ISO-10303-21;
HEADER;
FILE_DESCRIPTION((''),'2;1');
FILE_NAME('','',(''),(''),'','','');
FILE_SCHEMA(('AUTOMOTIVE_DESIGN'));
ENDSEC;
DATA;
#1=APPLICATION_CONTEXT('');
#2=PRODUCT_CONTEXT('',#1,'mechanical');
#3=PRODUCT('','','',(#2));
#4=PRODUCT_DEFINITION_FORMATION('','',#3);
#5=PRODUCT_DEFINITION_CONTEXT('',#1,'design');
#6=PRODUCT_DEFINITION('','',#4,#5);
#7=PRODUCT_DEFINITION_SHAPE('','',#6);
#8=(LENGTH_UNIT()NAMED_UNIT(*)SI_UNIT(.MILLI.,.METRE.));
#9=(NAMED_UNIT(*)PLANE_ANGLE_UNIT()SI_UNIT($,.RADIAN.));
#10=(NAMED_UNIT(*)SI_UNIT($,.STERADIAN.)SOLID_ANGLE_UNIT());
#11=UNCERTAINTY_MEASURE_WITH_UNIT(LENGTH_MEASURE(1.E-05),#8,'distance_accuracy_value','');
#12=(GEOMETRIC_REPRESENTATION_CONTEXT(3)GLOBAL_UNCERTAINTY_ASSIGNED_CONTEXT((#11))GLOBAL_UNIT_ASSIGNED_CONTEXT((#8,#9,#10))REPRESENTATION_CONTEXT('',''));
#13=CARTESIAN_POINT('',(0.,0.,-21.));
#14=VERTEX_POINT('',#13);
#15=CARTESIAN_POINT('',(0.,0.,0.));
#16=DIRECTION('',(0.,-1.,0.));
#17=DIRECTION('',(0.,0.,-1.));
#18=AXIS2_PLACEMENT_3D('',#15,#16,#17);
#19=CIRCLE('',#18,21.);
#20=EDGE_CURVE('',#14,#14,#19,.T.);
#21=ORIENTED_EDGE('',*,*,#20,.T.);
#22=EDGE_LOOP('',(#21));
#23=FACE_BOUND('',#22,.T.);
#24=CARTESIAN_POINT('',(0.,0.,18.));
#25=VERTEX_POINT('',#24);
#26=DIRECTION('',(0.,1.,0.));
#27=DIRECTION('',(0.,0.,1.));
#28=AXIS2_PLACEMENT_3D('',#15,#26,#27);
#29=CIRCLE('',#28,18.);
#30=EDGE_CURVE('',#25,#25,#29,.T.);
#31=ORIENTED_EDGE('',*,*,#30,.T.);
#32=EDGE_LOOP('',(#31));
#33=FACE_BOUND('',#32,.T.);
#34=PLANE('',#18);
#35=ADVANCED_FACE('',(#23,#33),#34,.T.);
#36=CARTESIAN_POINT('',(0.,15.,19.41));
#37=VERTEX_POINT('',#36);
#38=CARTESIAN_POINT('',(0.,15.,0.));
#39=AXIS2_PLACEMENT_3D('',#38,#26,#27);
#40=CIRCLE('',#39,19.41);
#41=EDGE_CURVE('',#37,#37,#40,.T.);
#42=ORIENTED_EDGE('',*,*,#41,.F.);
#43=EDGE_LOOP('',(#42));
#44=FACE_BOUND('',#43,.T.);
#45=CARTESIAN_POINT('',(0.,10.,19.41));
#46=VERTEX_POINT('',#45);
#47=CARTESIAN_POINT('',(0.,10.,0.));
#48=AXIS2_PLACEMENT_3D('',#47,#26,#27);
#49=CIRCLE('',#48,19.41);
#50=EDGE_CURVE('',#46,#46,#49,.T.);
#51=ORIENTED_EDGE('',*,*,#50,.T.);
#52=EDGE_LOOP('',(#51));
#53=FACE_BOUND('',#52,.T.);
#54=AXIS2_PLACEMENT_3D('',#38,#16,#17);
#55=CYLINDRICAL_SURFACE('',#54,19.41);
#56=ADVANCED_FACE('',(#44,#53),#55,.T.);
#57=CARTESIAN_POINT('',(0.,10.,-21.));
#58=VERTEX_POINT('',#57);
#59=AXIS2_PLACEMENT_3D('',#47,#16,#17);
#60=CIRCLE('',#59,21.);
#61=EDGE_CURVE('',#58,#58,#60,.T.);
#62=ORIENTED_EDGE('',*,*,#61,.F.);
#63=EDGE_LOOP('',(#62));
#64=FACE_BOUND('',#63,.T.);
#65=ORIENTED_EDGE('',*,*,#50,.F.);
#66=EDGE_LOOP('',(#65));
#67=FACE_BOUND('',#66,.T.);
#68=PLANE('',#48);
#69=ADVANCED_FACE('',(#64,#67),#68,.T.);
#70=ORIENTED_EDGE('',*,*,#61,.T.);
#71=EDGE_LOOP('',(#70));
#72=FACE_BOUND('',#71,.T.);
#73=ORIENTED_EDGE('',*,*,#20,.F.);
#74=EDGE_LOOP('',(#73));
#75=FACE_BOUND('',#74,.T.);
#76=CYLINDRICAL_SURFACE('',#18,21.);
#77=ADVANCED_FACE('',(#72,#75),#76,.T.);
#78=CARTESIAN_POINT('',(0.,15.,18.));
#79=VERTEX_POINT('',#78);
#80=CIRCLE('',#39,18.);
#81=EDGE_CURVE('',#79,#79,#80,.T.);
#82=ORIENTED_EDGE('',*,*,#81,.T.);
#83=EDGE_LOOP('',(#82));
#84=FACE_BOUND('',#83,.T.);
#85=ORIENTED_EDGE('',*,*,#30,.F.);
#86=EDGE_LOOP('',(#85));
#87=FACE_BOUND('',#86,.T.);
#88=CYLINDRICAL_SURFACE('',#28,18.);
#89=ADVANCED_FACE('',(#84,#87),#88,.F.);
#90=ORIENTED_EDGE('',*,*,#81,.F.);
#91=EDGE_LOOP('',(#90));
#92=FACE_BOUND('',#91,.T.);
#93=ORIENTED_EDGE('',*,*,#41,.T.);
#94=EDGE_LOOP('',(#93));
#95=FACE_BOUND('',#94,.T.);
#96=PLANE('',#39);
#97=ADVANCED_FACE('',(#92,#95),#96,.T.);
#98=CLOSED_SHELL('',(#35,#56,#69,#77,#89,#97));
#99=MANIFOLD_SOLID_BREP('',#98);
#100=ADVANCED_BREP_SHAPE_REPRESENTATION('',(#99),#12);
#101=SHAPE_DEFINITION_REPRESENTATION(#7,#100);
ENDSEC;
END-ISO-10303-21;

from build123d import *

# Parameters (mm, degrees)
SKETCH1_W           = 21
SKETCH1_H           = 10
SKETCH2_R           = 18
CUT_EXTRUDE1_DEPTH  = 32.336879232
SKETCH4_R           = 19.41
BOSS_EXTRUDE1_DEPTH = 5
SKETCH5_R           = 18
CUT_EXTRUDE2_DEPTH  = 34.271609519


with BuildPart() as part:
    # Sketch1 → Revolve1 (revolve)
    with BuildSketch(Plane.XY, mode=Mode.PRIVATE) as revolve1_sk:
        with Locations((10.5, 5)):
            Rectangle(SKETCH1_W, SKETCH1_H)
    revolve(revolve1_sk.sketch.rotate(Axis((0, 0, 0), (0, 1, 0)), 90), axis=Axis((0, 0, 0), (0, 1, 0)))

    # Sketch2 → Cut-Extrude1 (cut, through all)
    with BuildSketch(Plane(origin=(0, 10, 0), x_dir=(1, 0, 0), z_dir=(0, 1, 0))):
        with Locations(Location((0, 0, 0), (0, 0, 270))):
            Circle(SKETCH2_R)
    extrude(amount=-CUT_EXTRUDE1_DEPTH, mode=Mode.SUBTRACT)

    # Sketch4 → Boss-Extrude1 (add)
    with BuildSketch(Plane(origin=(0, 10, 0), x_dir=(1, 0, 0), z_dir=(0, 1, 0))):
        with Locations(Location((0, 0, 0), (0, 0, 270))):
            Circle(SKETCH4_R)
    extrude(amount=BOSS_EXTRUDE1_DEPTH)

    # Sketch5 → Cut-Extrude2 (cut, through all)
    with BuildSketch(Plane(origin=(0, 15, 0), x_dir=(1, 0, 0), z_dir=(0, 1, 0))):
        with Locations(Location((0, 0, 0), (0, 0, 270))):
            Circle(SKETCH5_R)
    extrude(amount=-CUT_EXTRUDE2_DEPTH, mode=Mode.SUBTRACT)


solid = part.part
